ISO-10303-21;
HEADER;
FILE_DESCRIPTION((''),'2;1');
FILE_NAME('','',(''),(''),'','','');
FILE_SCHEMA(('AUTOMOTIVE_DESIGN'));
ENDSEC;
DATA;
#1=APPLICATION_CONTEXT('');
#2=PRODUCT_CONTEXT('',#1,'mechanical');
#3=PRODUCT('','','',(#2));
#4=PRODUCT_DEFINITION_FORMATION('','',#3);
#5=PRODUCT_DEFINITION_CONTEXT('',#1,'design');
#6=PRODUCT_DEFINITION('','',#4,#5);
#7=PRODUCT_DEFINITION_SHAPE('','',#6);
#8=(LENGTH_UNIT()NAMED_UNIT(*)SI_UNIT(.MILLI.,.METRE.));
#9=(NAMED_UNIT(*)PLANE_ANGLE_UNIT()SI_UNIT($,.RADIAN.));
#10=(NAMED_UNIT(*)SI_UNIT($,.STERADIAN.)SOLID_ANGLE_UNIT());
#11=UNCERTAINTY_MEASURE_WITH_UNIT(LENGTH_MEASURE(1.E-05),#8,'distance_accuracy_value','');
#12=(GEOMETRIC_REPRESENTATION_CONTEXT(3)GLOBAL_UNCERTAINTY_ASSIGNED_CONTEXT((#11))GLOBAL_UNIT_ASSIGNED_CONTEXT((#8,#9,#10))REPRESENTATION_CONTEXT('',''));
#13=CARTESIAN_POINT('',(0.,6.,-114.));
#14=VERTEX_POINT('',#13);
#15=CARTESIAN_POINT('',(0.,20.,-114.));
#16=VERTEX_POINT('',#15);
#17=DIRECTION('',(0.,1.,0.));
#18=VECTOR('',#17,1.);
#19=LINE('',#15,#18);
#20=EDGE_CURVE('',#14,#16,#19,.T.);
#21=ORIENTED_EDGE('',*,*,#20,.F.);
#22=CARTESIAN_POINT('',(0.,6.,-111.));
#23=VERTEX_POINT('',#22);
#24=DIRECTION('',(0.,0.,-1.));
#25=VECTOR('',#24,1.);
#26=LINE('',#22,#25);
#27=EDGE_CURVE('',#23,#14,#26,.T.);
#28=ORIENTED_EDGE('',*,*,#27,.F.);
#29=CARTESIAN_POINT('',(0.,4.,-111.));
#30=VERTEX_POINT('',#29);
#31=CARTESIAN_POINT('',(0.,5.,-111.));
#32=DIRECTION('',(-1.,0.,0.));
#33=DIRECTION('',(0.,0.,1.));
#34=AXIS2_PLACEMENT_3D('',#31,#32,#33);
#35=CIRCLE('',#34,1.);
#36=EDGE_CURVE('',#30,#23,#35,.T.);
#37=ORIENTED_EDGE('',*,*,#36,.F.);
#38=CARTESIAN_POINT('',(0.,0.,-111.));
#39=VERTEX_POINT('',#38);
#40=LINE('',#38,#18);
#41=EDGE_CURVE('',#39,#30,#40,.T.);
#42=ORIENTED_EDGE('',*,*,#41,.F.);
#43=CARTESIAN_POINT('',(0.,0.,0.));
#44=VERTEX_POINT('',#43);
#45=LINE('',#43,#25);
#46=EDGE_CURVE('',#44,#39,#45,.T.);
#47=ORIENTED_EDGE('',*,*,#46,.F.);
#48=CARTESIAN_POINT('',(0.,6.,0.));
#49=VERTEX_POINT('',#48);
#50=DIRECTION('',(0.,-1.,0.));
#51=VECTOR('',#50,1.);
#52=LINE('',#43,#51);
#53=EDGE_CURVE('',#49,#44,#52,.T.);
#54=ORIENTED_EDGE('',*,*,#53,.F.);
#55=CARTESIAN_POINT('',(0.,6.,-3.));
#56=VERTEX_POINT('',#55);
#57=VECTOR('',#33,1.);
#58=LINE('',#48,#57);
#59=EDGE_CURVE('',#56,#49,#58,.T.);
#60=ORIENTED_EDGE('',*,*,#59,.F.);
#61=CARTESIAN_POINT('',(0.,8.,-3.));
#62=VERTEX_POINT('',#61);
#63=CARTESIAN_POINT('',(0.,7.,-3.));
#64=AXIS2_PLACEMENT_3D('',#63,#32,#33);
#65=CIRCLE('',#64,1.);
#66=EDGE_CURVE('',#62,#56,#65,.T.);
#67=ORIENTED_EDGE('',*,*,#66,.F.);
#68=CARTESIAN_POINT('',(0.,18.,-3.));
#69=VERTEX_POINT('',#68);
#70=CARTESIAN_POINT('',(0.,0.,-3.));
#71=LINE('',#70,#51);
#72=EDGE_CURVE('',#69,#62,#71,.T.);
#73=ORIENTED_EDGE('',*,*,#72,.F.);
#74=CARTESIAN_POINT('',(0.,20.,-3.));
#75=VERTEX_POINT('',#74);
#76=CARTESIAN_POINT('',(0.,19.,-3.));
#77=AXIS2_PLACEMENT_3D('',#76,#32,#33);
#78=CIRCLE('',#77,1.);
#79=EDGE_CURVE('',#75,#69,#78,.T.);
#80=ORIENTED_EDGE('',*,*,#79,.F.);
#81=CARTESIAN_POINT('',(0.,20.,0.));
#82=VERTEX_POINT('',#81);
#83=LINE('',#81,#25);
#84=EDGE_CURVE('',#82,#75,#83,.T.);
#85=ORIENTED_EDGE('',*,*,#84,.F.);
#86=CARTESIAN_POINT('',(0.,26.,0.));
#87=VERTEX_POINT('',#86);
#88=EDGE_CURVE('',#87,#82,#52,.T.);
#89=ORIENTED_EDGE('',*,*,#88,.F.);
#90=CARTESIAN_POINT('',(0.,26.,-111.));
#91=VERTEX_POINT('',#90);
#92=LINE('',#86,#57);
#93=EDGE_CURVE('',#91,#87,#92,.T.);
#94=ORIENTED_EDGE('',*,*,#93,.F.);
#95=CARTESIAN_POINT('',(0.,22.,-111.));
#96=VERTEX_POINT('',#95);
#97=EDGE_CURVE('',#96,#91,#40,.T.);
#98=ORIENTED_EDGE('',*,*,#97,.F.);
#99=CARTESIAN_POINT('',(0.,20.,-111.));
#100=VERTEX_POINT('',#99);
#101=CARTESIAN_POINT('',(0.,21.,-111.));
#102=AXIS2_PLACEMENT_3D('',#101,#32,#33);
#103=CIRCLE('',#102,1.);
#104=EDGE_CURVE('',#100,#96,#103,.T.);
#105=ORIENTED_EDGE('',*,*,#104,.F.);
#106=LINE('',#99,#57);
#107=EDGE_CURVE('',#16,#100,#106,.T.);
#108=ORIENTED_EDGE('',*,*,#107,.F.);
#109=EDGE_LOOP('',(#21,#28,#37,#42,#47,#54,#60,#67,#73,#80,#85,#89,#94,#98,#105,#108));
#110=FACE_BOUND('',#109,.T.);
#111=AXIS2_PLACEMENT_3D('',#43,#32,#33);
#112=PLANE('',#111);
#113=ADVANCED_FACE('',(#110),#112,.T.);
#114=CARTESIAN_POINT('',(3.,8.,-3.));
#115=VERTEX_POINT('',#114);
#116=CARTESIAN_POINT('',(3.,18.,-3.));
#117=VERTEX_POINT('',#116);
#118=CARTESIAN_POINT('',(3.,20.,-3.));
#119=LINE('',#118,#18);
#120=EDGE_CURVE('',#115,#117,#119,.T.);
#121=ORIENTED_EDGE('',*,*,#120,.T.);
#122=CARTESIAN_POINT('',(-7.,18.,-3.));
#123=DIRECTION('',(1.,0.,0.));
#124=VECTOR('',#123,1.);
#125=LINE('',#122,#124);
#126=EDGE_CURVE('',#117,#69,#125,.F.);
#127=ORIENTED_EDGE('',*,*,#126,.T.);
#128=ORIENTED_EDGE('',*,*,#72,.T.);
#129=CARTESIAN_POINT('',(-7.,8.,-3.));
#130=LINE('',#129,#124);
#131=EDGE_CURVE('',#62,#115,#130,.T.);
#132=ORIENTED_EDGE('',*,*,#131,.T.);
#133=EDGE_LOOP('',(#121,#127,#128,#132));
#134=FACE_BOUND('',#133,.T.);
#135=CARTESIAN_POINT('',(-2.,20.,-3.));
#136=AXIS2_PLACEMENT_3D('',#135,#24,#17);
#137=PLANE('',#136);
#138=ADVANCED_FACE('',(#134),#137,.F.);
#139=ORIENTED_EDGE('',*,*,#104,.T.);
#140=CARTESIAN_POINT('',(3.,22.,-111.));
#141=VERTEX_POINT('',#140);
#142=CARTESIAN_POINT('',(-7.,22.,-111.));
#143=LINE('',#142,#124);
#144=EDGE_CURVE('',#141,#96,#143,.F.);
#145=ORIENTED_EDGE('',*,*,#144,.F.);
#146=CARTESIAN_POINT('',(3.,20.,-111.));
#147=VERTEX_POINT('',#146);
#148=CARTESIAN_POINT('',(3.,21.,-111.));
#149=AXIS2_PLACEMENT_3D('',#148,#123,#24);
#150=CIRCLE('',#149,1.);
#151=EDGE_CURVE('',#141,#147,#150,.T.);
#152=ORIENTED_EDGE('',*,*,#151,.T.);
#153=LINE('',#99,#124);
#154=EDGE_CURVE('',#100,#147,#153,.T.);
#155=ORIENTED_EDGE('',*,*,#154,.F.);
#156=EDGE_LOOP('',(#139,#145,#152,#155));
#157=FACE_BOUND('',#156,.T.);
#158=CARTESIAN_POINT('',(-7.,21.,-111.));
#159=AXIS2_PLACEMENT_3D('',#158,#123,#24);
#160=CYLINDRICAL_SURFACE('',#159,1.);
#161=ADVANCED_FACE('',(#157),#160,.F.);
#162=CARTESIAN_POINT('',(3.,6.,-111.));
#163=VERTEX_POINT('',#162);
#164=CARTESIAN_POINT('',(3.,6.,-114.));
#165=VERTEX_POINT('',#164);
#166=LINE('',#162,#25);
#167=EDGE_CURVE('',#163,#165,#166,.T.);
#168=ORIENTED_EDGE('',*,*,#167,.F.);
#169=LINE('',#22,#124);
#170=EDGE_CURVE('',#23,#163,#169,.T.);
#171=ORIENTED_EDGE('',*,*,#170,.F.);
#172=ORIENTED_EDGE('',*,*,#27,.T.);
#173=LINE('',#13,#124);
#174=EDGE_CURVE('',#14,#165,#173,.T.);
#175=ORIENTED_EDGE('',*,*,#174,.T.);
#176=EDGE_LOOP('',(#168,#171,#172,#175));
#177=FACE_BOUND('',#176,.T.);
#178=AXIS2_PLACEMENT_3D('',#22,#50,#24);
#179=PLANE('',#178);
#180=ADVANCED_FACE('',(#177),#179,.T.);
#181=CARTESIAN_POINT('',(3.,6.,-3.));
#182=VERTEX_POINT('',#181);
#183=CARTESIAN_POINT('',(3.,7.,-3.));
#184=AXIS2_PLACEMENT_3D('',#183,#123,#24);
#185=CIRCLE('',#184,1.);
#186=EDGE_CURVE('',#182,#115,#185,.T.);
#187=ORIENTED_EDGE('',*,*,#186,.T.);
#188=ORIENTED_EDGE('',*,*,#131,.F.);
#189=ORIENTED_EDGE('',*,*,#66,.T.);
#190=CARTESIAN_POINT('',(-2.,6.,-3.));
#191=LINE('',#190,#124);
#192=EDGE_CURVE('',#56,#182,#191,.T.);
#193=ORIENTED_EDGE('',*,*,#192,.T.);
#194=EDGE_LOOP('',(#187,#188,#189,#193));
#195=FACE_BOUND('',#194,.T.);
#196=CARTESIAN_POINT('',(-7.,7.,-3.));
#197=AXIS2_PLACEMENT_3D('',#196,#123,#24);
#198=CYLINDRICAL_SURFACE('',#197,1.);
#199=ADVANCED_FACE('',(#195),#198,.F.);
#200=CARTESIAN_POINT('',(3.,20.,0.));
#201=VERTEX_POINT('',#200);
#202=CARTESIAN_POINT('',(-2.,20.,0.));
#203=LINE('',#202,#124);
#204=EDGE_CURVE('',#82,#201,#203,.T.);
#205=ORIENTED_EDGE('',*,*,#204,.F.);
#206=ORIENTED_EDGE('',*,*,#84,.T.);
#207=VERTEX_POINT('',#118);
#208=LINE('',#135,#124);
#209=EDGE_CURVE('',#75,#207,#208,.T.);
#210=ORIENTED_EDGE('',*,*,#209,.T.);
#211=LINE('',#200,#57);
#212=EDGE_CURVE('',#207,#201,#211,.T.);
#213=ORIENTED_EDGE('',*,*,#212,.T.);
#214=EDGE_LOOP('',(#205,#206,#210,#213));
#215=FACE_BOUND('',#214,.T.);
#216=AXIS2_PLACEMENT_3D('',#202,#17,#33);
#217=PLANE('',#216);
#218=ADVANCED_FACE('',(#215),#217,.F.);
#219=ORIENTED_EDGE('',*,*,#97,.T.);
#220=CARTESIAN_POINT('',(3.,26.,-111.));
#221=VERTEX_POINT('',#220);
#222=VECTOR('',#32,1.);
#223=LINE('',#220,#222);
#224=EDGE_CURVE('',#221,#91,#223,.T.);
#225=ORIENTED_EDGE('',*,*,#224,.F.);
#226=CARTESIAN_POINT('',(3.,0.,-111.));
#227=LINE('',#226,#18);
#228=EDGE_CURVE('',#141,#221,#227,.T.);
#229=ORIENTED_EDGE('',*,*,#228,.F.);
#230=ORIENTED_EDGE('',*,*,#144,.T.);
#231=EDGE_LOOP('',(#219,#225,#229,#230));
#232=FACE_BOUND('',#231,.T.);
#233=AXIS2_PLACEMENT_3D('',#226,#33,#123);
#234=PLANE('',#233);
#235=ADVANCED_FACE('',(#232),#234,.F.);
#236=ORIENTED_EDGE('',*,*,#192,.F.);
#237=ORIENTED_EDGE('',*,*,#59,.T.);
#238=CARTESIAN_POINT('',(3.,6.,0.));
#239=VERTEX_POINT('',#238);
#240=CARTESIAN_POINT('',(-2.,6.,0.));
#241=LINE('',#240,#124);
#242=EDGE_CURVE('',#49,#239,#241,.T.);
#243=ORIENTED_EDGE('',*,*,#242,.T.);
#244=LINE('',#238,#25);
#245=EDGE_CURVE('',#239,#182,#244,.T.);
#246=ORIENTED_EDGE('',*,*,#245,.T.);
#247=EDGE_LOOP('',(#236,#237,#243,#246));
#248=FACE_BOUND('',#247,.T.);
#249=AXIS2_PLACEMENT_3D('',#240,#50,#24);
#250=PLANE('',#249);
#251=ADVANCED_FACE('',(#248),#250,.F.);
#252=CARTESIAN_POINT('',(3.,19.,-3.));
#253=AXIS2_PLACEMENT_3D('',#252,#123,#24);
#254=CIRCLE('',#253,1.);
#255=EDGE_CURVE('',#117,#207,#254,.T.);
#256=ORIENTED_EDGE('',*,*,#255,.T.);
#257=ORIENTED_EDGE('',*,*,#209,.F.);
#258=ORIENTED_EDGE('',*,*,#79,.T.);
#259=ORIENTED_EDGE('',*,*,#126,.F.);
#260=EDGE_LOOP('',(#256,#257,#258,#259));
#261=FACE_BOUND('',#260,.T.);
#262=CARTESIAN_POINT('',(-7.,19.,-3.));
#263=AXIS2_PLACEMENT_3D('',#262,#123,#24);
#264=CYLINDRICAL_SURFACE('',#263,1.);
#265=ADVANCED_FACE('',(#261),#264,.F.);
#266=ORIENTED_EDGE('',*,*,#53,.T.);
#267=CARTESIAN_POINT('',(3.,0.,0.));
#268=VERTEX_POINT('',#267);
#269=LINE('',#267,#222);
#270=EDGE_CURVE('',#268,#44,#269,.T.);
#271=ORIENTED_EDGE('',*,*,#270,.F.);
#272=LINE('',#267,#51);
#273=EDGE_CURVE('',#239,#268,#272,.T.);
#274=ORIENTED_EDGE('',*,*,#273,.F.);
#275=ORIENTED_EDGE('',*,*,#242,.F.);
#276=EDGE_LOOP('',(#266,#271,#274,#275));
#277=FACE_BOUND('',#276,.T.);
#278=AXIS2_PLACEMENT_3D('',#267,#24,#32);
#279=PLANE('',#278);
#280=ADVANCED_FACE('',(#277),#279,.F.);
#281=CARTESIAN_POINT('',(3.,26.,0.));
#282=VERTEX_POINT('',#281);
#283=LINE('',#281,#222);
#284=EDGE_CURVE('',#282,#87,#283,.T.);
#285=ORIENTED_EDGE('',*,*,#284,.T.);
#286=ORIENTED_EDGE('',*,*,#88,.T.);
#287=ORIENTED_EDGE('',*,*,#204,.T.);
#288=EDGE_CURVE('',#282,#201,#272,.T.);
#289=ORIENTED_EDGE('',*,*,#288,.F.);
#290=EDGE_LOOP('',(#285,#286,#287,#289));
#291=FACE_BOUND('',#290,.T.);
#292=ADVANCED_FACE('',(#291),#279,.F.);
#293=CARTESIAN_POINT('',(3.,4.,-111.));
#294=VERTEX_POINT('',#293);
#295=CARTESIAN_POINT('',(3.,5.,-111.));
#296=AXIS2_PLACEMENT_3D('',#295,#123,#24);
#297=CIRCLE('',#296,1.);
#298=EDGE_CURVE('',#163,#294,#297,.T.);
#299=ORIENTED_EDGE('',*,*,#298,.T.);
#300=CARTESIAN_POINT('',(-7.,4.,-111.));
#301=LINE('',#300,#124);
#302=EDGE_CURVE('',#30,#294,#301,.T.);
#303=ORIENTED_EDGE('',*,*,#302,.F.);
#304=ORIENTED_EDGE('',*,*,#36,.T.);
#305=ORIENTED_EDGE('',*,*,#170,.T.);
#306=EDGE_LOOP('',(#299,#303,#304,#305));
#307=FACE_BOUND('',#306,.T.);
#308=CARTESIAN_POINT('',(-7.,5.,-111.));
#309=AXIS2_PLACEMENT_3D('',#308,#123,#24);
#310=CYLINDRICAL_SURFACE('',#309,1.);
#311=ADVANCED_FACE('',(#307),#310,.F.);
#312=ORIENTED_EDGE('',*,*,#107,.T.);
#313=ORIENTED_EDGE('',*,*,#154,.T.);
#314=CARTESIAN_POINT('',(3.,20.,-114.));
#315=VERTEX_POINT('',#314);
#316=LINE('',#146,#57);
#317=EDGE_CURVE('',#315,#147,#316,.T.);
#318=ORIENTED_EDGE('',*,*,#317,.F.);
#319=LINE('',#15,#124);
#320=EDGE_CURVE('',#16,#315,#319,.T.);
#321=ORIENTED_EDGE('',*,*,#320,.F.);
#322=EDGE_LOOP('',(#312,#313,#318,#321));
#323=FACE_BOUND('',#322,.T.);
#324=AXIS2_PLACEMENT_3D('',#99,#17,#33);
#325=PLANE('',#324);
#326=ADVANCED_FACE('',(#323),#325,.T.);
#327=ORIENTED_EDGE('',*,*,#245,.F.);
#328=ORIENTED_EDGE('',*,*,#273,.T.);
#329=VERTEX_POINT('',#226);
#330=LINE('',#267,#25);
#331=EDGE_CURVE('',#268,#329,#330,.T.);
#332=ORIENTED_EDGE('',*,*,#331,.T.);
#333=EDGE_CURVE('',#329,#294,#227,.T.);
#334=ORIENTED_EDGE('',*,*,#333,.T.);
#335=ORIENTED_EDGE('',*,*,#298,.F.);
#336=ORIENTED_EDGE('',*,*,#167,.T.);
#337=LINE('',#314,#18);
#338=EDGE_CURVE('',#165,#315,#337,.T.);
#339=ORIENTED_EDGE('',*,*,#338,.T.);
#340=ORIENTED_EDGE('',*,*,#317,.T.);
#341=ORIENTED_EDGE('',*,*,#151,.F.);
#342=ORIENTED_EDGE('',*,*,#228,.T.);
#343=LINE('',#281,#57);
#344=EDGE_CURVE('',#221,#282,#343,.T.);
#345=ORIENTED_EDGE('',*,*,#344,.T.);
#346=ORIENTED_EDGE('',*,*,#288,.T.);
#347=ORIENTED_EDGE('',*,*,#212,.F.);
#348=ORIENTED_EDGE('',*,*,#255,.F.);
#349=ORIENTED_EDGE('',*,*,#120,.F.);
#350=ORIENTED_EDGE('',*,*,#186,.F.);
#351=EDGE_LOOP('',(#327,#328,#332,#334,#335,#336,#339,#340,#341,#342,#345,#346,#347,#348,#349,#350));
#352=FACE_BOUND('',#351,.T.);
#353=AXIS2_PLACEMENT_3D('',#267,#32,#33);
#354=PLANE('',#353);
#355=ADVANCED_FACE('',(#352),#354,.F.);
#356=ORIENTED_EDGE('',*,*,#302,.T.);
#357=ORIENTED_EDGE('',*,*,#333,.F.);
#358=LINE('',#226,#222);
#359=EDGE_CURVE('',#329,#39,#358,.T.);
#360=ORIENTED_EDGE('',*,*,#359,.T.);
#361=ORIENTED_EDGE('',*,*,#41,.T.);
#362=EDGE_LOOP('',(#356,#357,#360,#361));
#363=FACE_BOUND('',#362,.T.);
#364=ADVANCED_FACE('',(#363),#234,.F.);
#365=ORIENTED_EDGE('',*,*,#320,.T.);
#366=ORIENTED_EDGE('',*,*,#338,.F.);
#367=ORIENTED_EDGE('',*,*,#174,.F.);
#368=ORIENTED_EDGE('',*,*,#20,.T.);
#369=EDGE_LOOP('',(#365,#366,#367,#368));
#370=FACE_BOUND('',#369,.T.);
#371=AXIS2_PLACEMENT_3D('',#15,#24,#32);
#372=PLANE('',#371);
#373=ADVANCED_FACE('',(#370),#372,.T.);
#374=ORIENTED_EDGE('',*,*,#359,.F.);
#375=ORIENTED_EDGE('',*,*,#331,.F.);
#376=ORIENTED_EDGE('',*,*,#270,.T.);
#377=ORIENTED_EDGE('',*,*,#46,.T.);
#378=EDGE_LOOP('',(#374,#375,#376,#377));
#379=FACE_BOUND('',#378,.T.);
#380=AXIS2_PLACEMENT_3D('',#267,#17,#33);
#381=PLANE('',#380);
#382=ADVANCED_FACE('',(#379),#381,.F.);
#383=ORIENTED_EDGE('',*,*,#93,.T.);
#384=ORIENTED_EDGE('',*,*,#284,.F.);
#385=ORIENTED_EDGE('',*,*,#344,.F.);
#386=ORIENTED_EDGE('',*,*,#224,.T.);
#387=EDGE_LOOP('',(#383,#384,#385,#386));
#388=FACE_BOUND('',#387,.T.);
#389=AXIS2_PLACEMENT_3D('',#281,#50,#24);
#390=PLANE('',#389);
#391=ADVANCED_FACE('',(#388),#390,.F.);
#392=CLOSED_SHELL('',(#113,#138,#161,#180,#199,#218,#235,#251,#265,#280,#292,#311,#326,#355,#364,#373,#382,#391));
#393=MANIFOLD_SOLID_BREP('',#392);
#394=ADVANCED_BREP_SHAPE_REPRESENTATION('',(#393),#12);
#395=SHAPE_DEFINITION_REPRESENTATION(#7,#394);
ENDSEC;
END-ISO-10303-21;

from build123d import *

# Parameters (mm, degrees)
SKETCH_1_W          = 111
SKETCH_1_H          = 26
EXTRUDE_1_DEPTH     = 3
SKETCH_2_W          = 3
SKETCH_2_H          = 14
EXTRUDE_2_DEPTH     = 3
SKETCH_3_W          = 3
SKETCH_3_H          = 14
CUT_EXTRUDE_1_DEPTH = 5
SKETCH_4_R          = 1
CUT_EXTRUDE_2_DEPTH = 10


with BuildPart() as part:
    # 스케치1 → 보스-돌출1 (new body)
    with BuildSketch(Plane(origin=(0, 0, 0), x_dir=(0, 0, -1), z_dir=(1, 0, 0))):
        with Locations((55.5, 13)):
            Rectangle(SKETCH_1_W, SKETCH_1_H)
    extrude(amount=EXTRUDE_1_DEPTH)

    # 스케치2 → 보스-돌출2 (add)
    with BuildSketch(Plane(origin=(3, 0, 0), x_dir=(0, 0, -1), z_dir=(1, 0, 0))):
        with Locations((112.5, 13)):
            Rectangle(SKETCH_2_W, SKETCH_2_H)
    extrude(amount=-EXTRUDE_2_DEPTH)

    # 스케치3 → 컷-돌출1 (cut)
    with BuildSketch(Plane(origin=(3, 0, 0), x_dir=(0, 0, -1), z_dir=(1, 0, 0))):
        with Locations((1.5, 13)):
            Rectangle(SKETCH_3_W, SKETCH_3_H)
    extrude(amount=-CUT_EXTRUDE_1_DEPTH, mode=Mode.SUBTRACT)

    # 스케치4 → 컷-돌출2 (cut)
    with BuildSketch(Plane(origin=(3, 0, 0), x_dir=(0, 0, -1), z_dir=(1, 0, 0))):
        with Locations((111, 21)):
            Circle(SKETCH_4_R)
        with Locations((111, 5)):
            Circle(SKETCH_4_R)
        with Locations((3, 19)):
            Circle(SKETCH_4_R)
        with Locations((3, 7)):
            Circle(SKETCH_4_R)
    extrude(amount=-CUT_EXTRUDE_2_DEPTH, mode=Mode.SUBTRACT)


solid = part.part
